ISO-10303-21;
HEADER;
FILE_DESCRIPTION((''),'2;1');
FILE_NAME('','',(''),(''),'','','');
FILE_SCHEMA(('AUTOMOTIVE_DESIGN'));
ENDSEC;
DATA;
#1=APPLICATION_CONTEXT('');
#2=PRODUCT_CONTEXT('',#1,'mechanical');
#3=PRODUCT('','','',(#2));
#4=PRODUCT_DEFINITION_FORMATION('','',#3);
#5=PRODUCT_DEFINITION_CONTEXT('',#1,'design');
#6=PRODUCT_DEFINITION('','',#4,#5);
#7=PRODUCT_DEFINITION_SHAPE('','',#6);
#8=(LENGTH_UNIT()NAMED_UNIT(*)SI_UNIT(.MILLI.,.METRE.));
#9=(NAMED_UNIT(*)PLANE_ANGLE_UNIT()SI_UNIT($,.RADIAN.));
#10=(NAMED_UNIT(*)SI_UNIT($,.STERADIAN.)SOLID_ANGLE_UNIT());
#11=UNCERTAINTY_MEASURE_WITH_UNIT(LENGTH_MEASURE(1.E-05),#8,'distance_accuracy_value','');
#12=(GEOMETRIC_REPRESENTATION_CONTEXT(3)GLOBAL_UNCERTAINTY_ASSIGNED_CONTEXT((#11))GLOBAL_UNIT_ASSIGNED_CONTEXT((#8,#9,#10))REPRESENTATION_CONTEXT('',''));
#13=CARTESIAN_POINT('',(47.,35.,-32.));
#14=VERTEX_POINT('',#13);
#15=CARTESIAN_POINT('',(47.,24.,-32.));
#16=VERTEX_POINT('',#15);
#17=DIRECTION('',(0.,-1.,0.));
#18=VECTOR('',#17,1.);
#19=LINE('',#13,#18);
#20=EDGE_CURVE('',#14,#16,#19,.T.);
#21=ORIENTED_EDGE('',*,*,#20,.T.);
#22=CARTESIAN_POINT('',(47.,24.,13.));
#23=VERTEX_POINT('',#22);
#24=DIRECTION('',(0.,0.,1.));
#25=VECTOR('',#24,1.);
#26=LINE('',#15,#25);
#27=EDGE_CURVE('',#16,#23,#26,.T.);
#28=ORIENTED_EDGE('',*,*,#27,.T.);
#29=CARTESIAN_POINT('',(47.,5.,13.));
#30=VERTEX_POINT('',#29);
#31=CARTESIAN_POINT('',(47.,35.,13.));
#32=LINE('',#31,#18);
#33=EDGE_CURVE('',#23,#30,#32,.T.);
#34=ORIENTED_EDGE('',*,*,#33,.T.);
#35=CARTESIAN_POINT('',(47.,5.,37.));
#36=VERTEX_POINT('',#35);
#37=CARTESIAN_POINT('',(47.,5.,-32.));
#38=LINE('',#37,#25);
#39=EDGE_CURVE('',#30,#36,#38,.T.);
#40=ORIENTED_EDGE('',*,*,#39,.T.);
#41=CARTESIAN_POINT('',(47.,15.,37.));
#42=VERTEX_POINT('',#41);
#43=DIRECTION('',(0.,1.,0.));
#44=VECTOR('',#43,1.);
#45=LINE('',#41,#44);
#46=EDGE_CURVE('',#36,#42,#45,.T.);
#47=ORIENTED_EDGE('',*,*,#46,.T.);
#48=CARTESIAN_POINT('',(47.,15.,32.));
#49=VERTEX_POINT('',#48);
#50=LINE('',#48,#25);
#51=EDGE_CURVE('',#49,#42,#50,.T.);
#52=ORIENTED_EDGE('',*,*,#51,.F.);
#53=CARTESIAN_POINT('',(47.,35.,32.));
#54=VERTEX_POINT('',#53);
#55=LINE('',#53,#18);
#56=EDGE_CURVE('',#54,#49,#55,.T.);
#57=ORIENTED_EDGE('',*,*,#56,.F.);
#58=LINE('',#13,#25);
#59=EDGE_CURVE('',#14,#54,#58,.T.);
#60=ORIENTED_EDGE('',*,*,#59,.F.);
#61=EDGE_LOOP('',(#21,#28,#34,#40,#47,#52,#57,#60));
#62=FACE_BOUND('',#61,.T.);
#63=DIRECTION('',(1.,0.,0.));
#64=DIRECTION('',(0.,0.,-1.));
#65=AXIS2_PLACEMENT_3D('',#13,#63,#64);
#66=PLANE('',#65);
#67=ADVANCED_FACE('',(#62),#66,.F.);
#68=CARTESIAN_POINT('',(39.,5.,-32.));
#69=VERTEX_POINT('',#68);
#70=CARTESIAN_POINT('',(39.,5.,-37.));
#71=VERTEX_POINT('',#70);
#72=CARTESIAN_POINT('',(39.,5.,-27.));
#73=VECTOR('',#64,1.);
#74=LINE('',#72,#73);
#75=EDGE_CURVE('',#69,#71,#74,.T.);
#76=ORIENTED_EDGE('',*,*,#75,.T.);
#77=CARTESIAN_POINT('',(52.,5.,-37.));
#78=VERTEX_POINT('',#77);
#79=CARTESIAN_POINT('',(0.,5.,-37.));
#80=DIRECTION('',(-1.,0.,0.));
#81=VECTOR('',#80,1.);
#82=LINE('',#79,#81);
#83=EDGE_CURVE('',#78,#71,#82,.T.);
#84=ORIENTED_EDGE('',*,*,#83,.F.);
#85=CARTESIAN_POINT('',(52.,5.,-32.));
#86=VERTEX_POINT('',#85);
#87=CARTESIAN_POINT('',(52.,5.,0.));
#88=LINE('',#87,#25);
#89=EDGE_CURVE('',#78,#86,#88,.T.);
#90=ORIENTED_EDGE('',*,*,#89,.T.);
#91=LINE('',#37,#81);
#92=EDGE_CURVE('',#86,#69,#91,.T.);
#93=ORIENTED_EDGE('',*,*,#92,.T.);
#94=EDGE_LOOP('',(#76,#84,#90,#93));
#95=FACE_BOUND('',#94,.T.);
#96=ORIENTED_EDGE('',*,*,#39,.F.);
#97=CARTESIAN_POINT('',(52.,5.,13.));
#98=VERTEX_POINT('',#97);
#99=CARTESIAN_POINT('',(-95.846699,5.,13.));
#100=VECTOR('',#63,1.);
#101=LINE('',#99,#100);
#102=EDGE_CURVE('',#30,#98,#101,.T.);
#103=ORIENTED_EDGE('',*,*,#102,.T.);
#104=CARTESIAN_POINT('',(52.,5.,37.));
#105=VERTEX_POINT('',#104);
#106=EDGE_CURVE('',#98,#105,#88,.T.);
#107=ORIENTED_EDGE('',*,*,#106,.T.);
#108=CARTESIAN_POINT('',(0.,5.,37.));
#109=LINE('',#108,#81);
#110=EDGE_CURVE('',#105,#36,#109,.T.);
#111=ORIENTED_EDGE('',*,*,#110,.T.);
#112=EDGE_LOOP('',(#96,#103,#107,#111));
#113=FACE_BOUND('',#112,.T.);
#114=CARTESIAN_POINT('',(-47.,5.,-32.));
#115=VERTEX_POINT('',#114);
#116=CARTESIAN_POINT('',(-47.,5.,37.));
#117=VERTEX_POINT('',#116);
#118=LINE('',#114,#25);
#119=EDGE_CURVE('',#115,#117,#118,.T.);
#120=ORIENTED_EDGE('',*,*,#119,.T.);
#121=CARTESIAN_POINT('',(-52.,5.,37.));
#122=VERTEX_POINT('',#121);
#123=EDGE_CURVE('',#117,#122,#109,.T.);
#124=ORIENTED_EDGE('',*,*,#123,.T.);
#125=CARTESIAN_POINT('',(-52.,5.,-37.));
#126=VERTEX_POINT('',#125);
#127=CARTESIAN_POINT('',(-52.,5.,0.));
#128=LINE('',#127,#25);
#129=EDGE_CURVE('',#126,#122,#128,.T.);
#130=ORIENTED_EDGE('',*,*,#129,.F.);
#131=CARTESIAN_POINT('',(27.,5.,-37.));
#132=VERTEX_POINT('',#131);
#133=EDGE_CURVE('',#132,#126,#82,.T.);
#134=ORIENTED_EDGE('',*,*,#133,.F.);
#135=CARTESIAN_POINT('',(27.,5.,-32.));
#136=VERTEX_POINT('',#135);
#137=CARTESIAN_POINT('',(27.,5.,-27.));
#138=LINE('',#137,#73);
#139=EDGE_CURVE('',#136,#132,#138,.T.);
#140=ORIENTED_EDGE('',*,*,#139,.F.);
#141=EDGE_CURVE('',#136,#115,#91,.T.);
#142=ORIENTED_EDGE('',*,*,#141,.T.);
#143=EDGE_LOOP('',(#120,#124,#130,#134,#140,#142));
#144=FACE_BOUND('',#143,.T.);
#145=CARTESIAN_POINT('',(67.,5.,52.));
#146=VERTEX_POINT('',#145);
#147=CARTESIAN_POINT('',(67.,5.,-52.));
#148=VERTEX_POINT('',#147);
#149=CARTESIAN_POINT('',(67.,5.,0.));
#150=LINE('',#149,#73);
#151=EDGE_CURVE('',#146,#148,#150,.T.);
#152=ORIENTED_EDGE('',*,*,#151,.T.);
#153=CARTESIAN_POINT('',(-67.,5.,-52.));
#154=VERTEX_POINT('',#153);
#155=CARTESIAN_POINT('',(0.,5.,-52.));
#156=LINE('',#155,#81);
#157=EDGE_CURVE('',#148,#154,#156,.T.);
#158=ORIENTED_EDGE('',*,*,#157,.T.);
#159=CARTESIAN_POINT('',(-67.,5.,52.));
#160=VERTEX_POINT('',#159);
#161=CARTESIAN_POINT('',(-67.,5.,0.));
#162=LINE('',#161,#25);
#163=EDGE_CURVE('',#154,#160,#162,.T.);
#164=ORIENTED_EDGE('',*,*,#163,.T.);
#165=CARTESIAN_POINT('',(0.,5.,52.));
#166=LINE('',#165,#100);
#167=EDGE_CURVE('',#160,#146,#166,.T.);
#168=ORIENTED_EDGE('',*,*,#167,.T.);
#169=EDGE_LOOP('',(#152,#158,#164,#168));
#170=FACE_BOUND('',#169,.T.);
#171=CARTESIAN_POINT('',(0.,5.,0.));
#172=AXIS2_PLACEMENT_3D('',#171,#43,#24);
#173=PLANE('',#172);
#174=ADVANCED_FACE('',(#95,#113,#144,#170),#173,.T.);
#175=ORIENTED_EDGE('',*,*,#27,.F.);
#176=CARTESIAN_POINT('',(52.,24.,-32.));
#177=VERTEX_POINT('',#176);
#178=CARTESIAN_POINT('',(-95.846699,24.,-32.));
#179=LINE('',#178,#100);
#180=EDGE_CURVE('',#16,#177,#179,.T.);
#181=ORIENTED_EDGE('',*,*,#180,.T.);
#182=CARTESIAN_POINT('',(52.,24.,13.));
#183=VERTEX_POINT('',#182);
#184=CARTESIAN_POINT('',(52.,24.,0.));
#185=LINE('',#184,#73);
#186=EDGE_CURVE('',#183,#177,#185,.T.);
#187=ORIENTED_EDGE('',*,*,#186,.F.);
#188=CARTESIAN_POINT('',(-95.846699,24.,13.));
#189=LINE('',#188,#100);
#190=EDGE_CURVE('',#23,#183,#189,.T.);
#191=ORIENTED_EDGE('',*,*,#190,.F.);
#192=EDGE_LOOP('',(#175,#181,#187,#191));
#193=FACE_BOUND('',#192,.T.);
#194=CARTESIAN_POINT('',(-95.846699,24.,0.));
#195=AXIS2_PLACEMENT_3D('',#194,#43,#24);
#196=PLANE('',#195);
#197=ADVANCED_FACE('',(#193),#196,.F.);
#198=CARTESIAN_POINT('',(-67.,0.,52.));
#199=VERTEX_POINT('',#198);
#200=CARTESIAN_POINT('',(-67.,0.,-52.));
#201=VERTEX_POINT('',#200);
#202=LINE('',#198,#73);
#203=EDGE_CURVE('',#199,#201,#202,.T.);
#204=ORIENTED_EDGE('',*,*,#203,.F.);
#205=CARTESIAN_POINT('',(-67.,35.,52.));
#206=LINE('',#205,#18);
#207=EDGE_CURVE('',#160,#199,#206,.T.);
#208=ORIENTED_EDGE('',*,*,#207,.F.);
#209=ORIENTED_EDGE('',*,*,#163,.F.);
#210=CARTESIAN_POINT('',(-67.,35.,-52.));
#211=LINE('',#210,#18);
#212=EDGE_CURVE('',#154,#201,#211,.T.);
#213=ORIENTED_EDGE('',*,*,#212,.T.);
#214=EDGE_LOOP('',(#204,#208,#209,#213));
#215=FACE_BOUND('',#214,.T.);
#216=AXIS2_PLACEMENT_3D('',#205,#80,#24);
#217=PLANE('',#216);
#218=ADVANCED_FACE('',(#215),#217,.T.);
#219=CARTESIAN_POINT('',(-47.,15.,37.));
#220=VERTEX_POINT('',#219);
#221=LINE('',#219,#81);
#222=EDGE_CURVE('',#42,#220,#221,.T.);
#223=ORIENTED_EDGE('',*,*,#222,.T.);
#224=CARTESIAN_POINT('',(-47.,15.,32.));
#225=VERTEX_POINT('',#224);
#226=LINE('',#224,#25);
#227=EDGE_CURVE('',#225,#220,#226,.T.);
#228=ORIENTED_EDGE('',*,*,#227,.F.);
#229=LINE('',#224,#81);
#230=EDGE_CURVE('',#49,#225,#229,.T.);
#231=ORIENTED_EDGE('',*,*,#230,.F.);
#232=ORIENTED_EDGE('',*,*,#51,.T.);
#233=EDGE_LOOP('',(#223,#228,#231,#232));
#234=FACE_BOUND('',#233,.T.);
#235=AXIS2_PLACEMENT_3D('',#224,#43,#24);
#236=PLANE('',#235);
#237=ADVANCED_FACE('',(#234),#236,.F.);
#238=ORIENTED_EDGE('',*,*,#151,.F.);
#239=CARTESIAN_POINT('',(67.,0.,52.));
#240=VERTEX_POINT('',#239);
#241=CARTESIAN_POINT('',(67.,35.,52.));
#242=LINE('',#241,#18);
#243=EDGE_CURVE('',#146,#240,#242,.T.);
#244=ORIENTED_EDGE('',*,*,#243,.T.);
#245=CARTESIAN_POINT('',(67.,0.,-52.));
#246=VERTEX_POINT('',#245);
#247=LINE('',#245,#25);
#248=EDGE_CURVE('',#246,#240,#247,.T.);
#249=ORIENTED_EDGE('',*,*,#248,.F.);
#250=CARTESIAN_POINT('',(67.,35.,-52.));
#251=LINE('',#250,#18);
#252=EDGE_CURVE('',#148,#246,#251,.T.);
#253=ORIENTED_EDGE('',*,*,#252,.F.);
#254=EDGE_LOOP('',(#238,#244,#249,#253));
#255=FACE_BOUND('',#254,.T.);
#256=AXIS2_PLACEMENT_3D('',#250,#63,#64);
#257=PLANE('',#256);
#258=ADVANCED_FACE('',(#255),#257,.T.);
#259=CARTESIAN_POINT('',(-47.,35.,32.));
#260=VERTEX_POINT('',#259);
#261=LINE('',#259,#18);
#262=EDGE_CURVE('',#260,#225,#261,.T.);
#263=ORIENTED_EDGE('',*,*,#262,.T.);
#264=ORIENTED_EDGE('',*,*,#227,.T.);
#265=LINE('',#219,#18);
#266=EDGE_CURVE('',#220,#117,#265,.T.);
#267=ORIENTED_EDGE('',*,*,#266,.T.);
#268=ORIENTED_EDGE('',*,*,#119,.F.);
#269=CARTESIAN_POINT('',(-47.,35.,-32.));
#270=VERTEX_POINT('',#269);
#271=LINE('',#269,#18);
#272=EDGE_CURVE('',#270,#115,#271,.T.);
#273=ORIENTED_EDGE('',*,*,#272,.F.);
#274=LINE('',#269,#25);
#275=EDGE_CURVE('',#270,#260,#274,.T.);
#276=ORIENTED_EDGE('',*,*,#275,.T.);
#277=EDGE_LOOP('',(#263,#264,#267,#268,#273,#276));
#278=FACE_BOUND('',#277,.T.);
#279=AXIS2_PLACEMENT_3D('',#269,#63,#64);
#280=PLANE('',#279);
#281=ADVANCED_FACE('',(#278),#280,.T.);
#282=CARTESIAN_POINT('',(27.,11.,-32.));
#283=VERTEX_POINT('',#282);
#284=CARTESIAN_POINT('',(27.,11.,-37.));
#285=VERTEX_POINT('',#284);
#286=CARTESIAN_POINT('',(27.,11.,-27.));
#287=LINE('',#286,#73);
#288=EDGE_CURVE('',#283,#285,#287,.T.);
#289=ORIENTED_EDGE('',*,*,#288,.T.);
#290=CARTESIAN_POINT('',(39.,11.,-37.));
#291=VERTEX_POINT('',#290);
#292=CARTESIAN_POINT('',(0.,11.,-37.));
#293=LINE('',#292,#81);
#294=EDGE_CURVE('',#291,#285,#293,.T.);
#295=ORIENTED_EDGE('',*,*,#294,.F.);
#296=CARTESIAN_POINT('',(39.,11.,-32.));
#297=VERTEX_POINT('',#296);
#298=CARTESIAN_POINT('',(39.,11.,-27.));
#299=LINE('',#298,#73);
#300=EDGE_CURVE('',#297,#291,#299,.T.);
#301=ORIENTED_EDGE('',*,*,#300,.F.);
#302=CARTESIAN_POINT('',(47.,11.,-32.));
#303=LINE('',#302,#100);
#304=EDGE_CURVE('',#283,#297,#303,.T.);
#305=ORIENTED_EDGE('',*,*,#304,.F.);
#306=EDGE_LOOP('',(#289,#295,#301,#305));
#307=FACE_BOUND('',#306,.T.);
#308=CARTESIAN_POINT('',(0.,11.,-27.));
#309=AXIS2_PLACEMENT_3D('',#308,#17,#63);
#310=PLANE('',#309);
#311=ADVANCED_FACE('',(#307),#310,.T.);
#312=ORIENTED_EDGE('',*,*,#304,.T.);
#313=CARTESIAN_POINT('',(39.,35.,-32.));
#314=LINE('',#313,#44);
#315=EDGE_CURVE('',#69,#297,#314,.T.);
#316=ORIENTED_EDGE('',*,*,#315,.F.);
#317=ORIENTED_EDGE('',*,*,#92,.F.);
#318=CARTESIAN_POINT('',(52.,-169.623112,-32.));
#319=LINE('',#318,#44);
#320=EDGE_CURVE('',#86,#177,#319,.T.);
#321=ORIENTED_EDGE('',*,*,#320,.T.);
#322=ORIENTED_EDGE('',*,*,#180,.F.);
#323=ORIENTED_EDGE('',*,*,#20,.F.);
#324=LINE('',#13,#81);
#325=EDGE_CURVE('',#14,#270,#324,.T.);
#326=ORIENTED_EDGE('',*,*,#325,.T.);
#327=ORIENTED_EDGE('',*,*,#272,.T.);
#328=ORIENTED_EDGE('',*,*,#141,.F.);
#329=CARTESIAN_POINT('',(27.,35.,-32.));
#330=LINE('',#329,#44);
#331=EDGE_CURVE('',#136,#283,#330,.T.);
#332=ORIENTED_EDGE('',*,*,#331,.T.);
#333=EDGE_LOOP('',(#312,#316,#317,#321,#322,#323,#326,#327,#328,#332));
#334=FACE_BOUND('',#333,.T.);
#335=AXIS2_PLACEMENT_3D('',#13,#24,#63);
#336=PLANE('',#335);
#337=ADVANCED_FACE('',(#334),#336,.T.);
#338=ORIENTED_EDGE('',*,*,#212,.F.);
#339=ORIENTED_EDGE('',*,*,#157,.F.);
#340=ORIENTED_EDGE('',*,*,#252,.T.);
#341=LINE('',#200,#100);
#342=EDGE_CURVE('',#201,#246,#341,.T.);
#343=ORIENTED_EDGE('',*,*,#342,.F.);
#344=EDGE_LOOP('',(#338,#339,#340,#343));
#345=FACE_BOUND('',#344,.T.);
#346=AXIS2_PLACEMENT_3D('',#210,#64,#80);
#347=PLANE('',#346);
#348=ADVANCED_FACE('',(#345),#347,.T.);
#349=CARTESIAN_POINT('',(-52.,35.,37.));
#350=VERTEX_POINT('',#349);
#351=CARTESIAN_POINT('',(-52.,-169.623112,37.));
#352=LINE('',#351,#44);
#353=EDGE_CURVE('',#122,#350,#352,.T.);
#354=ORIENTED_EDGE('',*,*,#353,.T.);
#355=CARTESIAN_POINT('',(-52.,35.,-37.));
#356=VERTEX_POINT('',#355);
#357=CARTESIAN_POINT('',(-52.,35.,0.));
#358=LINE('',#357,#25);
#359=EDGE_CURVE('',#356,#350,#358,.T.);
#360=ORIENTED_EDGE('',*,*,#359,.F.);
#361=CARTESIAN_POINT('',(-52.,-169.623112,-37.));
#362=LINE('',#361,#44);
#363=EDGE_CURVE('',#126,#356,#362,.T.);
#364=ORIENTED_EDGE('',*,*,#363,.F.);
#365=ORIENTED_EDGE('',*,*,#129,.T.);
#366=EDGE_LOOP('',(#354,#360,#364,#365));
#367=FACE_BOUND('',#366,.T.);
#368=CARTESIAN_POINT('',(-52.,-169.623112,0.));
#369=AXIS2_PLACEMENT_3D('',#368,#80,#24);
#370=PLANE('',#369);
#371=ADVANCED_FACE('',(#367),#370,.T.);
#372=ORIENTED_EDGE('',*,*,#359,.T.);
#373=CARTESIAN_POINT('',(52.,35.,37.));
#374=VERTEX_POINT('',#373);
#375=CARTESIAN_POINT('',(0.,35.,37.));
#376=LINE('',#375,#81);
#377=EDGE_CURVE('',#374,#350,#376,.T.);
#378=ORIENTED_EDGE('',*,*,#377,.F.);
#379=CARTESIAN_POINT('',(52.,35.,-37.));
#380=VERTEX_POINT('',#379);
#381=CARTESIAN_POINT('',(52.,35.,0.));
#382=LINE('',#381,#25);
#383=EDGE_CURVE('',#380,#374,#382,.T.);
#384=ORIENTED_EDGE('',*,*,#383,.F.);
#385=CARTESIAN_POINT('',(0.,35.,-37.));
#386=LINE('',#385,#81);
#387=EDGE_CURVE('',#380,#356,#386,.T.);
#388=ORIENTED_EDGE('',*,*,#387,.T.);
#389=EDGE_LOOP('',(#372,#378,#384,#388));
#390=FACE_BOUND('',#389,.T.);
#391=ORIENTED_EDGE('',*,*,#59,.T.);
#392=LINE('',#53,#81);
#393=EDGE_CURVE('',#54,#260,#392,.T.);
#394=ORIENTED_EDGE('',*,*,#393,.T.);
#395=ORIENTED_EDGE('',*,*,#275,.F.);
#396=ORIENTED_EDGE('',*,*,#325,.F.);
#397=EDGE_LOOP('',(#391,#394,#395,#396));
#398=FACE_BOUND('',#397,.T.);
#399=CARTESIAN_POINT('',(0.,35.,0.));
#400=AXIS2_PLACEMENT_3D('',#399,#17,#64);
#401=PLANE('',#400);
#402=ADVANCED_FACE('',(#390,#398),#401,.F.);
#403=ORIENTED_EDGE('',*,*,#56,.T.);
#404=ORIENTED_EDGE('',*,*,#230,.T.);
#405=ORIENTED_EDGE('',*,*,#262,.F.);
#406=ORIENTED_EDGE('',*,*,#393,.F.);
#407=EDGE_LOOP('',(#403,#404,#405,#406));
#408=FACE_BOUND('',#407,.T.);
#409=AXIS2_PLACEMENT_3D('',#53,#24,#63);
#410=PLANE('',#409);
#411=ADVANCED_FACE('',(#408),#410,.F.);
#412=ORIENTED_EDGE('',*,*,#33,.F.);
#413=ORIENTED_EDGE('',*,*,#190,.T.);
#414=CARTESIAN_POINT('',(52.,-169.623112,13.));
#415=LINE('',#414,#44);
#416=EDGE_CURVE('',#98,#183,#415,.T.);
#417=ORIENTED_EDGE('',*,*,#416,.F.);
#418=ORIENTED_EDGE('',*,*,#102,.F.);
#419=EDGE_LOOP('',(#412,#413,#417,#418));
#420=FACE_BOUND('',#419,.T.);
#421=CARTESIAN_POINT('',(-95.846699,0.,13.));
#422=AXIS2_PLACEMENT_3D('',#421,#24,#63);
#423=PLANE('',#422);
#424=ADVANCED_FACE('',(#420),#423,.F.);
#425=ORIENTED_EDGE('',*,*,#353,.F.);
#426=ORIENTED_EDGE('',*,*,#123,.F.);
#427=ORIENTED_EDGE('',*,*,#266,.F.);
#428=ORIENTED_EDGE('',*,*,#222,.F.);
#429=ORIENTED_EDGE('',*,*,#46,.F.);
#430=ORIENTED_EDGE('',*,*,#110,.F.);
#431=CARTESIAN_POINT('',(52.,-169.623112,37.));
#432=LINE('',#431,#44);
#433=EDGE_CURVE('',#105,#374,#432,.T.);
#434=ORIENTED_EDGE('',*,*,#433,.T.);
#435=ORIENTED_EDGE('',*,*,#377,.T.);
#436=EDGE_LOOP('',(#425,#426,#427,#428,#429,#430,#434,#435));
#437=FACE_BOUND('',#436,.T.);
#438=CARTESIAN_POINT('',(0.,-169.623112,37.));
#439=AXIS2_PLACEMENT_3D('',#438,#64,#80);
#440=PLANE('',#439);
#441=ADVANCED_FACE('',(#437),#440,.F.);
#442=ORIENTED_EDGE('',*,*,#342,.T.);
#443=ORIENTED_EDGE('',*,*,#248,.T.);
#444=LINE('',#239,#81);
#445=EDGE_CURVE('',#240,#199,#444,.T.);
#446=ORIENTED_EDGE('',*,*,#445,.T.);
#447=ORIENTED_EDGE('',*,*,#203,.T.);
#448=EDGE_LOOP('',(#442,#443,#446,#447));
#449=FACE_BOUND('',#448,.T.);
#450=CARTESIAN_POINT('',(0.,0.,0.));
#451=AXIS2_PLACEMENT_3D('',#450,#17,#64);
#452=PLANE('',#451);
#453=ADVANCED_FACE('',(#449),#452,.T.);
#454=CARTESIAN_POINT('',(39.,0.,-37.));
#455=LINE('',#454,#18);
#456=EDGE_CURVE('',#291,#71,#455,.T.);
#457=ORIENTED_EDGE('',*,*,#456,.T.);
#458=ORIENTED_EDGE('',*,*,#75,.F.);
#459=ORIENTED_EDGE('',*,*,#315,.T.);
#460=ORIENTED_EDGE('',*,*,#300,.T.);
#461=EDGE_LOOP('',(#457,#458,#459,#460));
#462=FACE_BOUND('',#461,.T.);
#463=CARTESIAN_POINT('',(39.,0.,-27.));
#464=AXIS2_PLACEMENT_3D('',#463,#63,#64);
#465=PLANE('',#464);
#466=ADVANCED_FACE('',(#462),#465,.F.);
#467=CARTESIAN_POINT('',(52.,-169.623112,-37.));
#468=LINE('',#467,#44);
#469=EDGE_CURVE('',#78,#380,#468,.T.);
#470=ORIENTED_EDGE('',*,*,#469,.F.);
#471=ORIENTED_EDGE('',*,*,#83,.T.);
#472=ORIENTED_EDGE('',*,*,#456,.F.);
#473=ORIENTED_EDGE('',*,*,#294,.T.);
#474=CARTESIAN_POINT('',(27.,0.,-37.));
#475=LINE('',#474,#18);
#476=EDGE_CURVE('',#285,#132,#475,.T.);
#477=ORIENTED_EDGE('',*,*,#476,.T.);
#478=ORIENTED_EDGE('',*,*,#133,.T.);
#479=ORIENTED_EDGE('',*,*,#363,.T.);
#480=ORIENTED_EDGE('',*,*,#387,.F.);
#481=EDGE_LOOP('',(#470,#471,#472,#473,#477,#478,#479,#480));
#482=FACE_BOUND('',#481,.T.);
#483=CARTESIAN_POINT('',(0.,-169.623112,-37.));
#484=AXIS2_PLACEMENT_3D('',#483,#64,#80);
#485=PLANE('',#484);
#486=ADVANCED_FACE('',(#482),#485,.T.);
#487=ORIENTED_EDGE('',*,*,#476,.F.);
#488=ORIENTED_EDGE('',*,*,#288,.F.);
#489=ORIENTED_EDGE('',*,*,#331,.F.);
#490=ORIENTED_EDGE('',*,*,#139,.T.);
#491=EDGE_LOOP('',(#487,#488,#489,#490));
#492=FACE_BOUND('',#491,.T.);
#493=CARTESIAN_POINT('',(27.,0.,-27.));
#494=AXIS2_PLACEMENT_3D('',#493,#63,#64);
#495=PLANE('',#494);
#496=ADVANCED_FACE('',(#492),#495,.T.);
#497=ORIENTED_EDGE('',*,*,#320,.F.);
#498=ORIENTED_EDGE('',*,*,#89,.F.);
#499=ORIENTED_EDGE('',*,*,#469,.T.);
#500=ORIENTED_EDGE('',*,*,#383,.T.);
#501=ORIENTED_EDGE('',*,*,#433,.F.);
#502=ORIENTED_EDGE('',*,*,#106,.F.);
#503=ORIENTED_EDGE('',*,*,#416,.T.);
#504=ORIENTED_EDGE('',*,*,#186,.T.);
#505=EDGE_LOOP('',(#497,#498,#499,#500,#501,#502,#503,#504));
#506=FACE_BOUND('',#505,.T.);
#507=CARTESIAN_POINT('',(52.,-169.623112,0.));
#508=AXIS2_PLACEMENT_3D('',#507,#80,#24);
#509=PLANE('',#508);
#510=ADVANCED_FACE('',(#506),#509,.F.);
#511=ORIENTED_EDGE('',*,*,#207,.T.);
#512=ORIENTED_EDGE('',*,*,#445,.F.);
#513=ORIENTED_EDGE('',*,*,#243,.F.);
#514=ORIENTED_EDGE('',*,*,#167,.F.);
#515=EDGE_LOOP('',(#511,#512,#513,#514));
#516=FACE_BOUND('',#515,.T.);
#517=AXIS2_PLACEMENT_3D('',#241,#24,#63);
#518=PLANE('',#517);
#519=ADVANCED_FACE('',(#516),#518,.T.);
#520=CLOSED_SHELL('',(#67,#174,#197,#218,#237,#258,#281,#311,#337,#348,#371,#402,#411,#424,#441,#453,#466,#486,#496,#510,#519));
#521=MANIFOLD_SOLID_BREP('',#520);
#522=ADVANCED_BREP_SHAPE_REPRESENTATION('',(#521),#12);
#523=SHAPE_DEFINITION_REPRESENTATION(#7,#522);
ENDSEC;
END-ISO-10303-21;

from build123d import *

# Parameters (mm, degrees)
SKETCH3_W           = 134
SKETCH3_H           = 104
SKETCH3_W_2         = 94
SKETCH3_H_2         = 64
BOSS_EXTRUDE2_DEPTH = 35
SKETCH3_6_W         = 94
SKETCH3_6_H         = 64
BOSS_EXTRUDE3_DEPTH = 5
SKETCH8_W           = 134
SKETCH8_H           = 104
SKETCH8_W_2         = 104
SKETCH8_H_2         = 74
CUT_EXTRUDE3_DEPTH  = 30
CUT_EXTRUDE4_DEPTH  = 114
SKETCH9_W           = 94
SKETCH9_H           = 10
CUT_EXTRUDE5_DEPTH  = 5
SKETCH10_W          = 17
SKETCH10_H          = 10
CUT_EXTRUDE6_DEPTH  = 5
SKETCH11_W          = 28.983298244
SKETCH11_H          = 12.432282013
BOSS_EXTRUDE4_DEPTH = 5
SKETCH13_W          = 12
SKETCH13_H          = 6
CUT_EXTRUDE7_DEPTH  = 10


with BuildPart() as part:
    # Sketch3 → Boss-Extrude2 (new body)
    with BuildSketch(Plane(origin=(0, 0, 0), x_dir=(1, 0, 0), z_dir=(0, 1, 0))):
        Rectangle(SKETCH3_W, SKETCH3_H)
        Rectangle(SKETCH3_W_2, SKETCH3_H_2, mode=Mode.SUBTRACT)
    extrude(amount=BOSS_EXTRUDE2_DEPTH)

    # Sketch3<6> → Boss-Extrude3 (add)
    with BuildSketch(Plane(origin=(0, 0, 0), x_dir=(1, 0, 0), z_dir=(0, 1, 0))):
        Rectangle(SKETCH3_6_W, SKETCH3_6_H)
    extrude(amount=BOSS_EXTRUDE3_DEPTH)

    # Sketch8 → Cut-Extrude3 (cut)
    with BuildSketch(Plane(origin=(0, 35, 0), x_dir=(1, 0, 0), z_dir=(0, 1, 0))):
        Rectangle(SKETCH8_W, SKETCH8_H)
        Rectangle(SKETCH8_W_2, SKETCH8_H_2, mode=Mode.SUBTRACT)
    extrude(amount=-CUT_EXTRUDE3_DEPTH, mode=Mode.SUBTRACT)

    # Sketch5 → Cut-Extrude4 (cut)
    with BuildSketch(Plane(origin=(67, 0, 0), x_dir=(0, 0, -1), z_dir=(1, 0, 0))):
        Polygon((32, 5.263033051), (32, 24), (-13, 24), (-13, 5), (32, 5), align=None)
    extrude(amount=-CUT_EXTRUDE4_DEPTH, mode=Mode.SUBTRACT)

    # Sketch9 → Cut-Extrude5 (cut)
    with BuildSketch(Plane.XY.offset(37)):
        with Locations((0, 10)):
            Rectangle(SKETCH9_W, SKETCH9_H)
    extrude(amount=-CUT_EXTRUDE5_DEPTH, mode=Mode.SUBTRACT)

    # Sketch10 → Cut-Extrude6 (cut)
    with BuildSketch(Plane(origin=(0, 0, -37), x_dir=(-1, 0, 0), z_dir=(0, 0, -1))):
        with Locations((-38.5, 10)):
            Rectangle(SKETCH10_W, SKETCH10_H)
    extrude(amount=-CUT_EXTRUDE6_DEPTH, mode=Mode.SUBTRACT)

    # Sketch11 → Boss-Extrude4 (add)
    with BuildSketch(Plane(origin=(0, 0, -37), x_dir=(-1, 0, 0), z_dir=(0, 0, -1))):
        with Locations((-34.333019182, 11.216141007)):
            Rectangle(SKETCH11_W, SKETCH11_H)
    extrude(amount=-BOSS_EXTRUDE4_DEPTH)

    # Sketch13 → Cut-Extrude7 (cut)
    with BuildSketch(Plane(origin=(0, 0, -37), x_dir=(-1, 0, 0), z_dir=(0, 0, -1))):
        with Locations((-33, 8)):
            Rectangle(SKETCH13_W, SKETCH13_H)
    extrude(amount=-CUT_EXTRUDE7_DEPTH, mode=Mode.SUBTRACT)


solid = part.part
